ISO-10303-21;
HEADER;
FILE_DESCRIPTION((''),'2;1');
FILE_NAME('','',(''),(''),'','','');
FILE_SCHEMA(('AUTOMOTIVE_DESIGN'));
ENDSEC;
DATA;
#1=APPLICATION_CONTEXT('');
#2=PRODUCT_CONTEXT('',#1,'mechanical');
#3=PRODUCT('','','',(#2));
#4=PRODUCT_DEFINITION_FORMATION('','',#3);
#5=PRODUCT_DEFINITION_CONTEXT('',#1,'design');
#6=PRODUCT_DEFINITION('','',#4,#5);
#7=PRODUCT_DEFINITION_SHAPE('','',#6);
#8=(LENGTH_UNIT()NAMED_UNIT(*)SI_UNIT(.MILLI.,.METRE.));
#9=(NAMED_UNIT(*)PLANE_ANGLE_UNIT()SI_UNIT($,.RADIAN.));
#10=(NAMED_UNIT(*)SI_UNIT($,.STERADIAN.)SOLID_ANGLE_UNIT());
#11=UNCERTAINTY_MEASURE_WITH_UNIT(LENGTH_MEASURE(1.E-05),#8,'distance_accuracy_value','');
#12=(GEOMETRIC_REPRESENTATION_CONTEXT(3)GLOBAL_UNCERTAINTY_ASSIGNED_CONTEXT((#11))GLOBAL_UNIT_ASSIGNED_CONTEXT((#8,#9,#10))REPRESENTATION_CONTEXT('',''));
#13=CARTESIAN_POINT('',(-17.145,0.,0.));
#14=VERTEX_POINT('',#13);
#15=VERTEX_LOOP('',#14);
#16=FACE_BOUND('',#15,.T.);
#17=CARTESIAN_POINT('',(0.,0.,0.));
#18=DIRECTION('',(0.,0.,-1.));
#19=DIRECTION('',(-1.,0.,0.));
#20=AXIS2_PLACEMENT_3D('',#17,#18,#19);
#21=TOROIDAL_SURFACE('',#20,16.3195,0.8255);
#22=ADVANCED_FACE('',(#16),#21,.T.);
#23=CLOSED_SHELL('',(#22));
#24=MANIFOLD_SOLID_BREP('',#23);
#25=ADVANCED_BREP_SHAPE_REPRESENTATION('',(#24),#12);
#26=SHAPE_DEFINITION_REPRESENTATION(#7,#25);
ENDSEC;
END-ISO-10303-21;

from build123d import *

# Parameters (mm, degrees)
SKETCH1_R = 0.8255


with BuildPart() as part:
    # Sketch1 → Revolve1 (revolve)
    with BuildSketch(Plane(origin=(0, 0, 0), x_dir=(1, 0, 0), z_dir=(0, 1, 0)), mode=Mode.PRIVATE) as revolve1_sk:
        with Locations((16.3195, 0)):
            Circle(SKETCH1_R)
    revolve(revolve1_sk.sketch.rotate(Axis((0, 0, -45.026054909), (0, 0, 1)), 180), axis=Axis((0, 0, -45.026054909), (0, 0, 1)))


solid = part.part
